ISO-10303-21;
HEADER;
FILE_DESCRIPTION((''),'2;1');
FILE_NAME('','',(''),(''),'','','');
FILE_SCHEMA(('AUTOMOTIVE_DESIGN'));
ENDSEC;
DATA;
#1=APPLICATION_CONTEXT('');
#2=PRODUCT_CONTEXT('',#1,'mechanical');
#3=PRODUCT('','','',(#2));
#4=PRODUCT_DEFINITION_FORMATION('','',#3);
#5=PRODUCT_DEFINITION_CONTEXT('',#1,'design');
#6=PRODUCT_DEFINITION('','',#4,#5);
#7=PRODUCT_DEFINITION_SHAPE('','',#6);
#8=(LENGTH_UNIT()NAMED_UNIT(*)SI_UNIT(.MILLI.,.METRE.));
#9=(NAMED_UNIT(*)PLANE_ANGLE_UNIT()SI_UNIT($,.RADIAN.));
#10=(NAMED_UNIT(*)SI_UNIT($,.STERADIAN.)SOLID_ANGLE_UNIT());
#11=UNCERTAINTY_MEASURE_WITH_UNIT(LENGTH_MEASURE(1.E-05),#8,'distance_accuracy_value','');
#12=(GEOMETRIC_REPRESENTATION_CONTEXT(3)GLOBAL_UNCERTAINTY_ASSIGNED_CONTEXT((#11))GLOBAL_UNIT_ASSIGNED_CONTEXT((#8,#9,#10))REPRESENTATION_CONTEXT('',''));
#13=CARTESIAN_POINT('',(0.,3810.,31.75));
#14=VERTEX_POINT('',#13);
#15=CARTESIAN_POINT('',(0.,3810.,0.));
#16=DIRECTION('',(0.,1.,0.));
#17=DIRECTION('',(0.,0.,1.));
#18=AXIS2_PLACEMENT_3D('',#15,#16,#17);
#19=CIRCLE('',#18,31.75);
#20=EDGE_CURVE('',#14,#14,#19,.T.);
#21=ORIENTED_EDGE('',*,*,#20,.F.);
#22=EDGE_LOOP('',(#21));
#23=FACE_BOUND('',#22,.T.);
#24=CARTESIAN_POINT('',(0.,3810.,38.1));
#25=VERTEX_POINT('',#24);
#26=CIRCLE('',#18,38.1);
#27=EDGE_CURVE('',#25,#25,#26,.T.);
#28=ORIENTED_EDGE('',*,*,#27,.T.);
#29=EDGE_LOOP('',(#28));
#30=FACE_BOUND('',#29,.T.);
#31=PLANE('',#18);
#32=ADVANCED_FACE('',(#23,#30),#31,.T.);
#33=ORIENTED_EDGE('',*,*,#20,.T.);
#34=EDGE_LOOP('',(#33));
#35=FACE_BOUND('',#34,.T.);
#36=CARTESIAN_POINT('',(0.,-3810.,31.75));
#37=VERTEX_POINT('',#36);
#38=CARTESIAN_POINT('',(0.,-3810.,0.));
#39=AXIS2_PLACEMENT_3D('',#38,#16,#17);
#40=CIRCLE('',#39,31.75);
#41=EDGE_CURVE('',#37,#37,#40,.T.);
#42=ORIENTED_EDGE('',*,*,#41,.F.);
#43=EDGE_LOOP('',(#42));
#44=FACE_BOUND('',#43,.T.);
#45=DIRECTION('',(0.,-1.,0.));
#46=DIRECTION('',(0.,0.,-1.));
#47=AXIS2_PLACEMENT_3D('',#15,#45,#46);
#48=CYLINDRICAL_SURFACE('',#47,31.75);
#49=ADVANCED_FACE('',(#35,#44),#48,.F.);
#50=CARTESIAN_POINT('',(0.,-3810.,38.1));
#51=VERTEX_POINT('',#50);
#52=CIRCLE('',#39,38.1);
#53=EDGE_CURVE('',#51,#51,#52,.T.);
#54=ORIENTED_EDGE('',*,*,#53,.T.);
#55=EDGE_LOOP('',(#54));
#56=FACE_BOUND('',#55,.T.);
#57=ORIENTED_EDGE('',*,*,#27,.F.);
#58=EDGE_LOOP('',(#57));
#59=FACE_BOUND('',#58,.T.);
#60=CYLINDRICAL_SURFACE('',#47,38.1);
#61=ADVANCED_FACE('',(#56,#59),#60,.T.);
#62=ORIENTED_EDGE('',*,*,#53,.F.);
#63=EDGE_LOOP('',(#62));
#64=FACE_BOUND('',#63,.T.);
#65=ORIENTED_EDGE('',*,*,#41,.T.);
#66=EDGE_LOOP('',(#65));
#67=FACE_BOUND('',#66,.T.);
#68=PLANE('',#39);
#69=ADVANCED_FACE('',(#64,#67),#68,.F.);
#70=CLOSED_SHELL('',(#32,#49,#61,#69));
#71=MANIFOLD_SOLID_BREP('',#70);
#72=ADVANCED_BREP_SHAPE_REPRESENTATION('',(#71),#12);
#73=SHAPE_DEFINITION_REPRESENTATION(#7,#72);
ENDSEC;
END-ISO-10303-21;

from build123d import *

# Parameters (mm, degrees)
SKETCH1_R           = 38.1
SKETCH1_R_2         = 31.75
BOSS_EXTRUDE1_DEPTH = 3810


with BuildPart() as part:
    # Sketch1 → Boss-Extrude1 (new body, symmetric)
    with BuildSketch(Plane(origin=(0, 0, 0), x_dir=(1, 0, 0), z_dir=(0, 1, 0))):
        Circle(SKETCH1_R)
        Circle(SKETCH1_R_2, mode=Mode.SUBTRACT)
    extrude(amount=BOSS_EXTRUDE1_DEPTH, both=True)


solid = part.part
